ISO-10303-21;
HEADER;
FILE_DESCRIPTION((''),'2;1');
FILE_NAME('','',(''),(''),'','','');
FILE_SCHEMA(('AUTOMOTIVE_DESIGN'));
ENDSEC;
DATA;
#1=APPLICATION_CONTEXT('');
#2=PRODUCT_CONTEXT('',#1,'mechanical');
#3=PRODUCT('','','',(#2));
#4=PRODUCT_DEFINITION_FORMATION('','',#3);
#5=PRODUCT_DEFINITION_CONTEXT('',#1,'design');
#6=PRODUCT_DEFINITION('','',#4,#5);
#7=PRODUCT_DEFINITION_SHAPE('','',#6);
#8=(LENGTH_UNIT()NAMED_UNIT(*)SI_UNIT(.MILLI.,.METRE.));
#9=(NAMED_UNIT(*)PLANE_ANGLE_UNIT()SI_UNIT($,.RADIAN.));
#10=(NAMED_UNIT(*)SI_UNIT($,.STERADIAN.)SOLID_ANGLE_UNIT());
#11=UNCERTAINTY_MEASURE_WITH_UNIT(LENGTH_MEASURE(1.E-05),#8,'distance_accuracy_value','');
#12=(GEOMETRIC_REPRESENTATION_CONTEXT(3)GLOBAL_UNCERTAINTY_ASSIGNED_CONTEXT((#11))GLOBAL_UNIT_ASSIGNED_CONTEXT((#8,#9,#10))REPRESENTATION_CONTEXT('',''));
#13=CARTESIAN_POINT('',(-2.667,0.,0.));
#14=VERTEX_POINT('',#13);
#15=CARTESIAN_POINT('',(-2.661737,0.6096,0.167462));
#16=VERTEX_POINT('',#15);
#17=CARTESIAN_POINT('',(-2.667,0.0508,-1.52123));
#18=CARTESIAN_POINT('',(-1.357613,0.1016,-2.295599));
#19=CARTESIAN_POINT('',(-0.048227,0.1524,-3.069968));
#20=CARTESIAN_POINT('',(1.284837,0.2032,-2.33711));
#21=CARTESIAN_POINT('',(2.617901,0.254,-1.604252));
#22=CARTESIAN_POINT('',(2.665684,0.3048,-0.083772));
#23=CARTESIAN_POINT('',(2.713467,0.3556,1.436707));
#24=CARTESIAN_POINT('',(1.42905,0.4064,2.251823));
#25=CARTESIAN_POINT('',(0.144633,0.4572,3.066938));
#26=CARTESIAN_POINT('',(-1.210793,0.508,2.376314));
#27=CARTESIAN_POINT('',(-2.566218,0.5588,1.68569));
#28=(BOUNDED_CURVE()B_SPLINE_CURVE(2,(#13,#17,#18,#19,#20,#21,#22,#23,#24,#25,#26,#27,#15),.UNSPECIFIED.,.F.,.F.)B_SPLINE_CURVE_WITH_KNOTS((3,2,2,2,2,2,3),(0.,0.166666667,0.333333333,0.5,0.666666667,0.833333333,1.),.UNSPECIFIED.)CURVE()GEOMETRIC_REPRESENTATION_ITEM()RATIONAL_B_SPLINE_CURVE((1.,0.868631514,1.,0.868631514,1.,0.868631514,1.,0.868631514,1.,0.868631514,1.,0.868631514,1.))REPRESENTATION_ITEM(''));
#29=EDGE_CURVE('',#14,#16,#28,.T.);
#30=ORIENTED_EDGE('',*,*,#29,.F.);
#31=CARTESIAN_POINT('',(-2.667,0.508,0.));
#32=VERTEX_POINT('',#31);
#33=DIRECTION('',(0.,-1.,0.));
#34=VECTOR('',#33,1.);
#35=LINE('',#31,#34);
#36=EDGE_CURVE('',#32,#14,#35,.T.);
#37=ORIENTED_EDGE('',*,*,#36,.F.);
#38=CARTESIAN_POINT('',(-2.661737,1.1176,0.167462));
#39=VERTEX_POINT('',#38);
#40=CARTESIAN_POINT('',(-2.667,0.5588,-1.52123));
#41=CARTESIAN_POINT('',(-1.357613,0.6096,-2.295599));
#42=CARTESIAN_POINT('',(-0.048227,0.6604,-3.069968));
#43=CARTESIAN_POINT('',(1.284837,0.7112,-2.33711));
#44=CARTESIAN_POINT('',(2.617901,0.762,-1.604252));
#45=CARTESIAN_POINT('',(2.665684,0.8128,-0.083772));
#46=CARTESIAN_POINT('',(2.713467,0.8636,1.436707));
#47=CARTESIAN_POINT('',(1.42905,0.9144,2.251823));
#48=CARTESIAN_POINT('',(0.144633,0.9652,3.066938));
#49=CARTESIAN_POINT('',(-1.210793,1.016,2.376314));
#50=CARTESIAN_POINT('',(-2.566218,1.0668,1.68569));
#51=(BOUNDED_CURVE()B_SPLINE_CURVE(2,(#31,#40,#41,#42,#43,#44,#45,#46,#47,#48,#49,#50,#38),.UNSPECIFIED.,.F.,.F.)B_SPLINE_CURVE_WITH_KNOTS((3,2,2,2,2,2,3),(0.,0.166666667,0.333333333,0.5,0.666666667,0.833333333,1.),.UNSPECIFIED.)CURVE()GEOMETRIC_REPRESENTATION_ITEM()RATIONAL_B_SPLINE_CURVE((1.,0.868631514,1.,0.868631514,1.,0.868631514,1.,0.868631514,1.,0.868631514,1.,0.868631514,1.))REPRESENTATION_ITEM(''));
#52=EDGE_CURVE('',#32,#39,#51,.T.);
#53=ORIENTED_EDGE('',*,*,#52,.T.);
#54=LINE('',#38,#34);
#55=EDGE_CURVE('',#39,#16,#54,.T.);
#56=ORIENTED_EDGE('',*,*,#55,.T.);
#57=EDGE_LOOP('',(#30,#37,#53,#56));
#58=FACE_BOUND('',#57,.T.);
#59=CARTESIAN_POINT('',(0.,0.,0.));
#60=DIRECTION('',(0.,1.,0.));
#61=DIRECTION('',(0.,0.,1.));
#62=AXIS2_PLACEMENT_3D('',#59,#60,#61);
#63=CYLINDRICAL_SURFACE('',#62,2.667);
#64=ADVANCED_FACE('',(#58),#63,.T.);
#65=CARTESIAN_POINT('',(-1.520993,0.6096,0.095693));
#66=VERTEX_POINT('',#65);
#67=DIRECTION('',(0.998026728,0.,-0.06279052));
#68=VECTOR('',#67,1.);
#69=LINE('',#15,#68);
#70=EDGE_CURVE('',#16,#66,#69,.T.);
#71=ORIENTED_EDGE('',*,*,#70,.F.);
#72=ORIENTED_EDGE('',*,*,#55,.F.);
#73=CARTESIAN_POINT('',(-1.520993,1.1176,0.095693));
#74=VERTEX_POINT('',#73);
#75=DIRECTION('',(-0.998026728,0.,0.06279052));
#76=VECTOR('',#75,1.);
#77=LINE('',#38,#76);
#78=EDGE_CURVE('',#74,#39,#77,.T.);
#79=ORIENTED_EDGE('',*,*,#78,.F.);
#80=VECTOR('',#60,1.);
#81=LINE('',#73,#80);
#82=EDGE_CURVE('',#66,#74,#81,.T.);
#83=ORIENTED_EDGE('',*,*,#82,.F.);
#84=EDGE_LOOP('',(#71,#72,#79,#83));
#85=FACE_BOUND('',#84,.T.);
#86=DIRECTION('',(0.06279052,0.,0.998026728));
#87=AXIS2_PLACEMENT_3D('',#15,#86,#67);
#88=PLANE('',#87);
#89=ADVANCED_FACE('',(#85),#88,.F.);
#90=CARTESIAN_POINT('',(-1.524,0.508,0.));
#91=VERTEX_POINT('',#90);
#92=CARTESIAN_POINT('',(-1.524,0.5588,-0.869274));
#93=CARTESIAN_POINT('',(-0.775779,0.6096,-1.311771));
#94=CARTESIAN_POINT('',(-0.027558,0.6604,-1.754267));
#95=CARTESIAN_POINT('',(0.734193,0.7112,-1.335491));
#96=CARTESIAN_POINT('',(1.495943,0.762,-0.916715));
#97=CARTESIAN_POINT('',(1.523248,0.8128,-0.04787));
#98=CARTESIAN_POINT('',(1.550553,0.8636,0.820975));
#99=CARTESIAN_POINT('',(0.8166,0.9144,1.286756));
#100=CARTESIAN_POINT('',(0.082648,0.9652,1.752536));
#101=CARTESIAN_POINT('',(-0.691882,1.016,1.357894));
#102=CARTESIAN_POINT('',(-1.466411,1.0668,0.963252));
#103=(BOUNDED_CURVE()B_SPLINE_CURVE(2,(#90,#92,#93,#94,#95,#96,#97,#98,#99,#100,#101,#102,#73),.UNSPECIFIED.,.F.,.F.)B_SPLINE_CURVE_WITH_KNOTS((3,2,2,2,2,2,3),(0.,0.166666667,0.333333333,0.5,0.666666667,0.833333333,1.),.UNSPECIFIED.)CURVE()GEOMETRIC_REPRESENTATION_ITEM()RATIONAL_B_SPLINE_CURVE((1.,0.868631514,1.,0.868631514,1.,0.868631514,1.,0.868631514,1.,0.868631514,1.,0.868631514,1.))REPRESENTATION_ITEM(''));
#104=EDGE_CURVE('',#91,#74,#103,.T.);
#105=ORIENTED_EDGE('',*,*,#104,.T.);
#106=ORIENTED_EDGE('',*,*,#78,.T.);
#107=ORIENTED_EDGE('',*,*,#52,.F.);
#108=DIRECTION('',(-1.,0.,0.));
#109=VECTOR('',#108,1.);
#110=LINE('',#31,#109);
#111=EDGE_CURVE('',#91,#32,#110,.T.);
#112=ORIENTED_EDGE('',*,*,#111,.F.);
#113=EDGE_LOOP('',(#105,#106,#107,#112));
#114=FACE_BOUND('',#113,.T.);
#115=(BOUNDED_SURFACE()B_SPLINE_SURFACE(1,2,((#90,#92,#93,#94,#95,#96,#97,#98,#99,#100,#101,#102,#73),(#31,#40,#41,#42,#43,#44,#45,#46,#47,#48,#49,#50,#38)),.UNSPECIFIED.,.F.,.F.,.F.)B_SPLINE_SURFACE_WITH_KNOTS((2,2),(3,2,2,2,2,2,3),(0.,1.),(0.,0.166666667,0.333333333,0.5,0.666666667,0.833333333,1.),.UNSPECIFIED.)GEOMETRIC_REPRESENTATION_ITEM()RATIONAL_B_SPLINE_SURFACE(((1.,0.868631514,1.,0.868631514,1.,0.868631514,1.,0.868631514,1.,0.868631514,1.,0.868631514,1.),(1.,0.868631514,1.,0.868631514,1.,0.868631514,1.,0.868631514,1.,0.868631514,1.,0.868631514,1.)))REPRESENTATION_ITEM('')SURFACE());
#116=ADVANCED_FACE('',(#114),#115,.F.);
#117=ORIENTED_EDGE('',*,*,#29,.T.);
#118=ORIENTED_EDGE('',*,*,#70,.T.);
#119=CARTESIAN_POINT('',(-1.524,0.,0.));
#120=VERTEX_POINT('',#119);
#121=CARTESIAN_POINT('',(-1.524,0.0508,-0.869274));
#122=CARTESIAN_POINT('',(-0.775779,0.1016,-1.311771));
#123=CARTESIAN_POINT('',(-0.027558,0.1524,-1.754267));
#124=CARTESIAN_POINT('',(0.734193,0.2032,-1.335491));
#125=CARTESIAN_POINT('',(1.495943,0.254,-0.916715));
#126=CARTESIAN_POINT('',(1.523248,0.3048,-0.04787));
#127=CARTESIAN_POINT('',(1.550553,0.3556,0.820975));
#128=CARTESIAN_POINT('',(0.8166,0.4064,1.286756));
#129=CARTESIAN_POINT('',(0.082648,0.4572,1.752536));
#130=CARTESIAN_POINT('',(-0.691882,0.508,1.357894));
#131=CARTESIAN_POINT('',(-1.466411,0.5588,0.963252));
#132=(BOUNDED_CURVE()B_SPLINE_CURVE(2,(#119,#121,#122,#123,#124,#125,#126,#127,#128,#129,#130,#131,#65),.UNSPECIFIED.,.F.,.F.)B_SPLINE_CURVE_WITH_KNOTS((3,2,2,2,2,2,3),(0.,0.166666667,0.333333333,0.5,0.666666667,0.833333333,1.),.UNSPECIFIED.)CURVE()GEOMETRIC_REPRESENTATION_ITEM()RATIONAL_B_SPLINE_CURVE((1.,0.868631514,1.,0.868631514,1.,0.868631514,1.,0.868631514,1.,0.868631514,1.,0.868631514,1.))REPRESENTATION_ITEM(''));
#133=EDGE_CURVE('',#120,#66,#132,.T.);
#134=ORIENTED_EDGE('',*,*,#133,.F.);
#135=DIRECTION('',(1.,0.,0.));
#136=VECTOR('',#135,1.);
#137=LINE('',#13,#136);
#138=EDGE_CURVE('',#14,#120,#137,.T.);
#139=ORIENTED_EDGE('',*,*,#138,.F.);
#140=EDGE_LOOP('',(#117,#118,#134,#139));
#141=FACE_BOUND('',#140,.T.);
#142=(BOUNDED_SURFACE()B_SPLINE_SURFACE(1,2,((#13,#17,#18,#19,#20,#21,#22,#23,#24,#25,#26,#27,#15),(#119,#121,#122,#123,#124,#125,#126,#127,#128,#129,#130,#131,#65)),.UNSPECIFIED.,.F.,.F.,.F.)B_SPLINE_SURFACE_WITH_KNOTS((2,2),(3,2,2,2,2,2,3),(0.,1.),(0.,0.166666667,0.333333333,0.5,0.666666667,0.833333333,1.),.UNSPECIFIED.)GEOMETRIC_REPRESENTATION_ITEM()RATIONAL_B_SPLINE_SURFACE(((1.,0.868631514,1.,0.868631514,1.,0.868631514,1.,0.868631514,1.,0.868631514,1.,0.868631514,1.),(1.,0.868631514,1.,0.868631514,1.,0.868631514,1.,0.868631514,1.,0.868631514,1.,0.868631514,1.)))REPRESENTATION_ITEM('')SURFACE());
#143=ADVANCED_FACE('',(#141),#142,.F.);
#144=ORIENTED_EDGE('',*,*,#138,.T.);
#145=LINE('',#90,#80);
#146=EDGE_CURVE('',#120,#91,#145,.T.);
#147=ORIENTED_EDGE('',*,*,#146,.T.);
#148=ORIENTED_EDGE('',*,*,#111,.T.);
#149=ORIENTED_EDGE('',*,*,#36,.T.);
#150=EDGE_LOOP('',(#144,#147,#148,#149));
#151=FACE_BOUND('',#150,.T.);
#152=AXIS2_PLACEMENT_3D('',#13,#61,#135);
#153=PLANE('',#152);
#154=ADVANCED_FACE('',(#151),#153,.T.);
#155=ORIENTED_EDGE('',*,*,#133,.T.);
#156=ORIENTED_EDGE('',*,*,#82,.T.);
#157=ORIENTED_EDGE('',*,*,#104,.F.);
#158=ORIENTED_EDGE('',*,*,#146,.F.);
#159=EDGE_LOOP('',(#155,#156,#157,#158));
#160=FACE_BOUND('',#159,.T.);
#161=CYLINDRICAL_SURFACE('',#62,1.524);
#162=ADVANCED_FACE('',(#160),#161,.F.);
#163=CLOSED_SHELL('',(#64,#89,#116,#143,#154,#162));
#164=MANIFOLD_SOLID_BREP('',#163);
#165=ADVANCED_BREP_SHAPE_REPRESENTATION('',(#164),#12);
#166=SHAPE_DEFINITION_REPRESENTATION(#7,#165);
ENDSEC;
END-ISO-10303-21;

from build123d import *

# Parameters (mm, degrees)
SWEEP1_PITCH       = 0.615757576
SWEEP1_HEIGHT      = 0.6096
SWEEP1_RADIUS      = 2.667
SWEEP1_START_ANGLE = -90
SKETCH1_W          = 1.143
SKETCH1_H          = 0.508


with BuildPart() as part:
    # Sweep1: sweep along a helix
    with BuildLine() as sweep1_path:
        add(Helix(SWEEP1_PITCH, SWEEP1_HEIGHT, SWEEP1_RADIUS, center=(0, 0, 0), direction=(0, 1, 0), lefthand=True, mode=Mode.PRIVATE).rotate(Axis((0, 0, 0), (0, 1, 0)), SWEEP1_START_ANGLE))
    # Sketch1 → Sweep1 (sweep)
    with BuildSketch(Plane.XY):
        with Locations((-2.0955, 0.254)):
            Rectangle(SKETCH1_W, SKETCH1_H)
    sweep(path=sweep1_path.line, is_frenet=True)


solid = part.part
